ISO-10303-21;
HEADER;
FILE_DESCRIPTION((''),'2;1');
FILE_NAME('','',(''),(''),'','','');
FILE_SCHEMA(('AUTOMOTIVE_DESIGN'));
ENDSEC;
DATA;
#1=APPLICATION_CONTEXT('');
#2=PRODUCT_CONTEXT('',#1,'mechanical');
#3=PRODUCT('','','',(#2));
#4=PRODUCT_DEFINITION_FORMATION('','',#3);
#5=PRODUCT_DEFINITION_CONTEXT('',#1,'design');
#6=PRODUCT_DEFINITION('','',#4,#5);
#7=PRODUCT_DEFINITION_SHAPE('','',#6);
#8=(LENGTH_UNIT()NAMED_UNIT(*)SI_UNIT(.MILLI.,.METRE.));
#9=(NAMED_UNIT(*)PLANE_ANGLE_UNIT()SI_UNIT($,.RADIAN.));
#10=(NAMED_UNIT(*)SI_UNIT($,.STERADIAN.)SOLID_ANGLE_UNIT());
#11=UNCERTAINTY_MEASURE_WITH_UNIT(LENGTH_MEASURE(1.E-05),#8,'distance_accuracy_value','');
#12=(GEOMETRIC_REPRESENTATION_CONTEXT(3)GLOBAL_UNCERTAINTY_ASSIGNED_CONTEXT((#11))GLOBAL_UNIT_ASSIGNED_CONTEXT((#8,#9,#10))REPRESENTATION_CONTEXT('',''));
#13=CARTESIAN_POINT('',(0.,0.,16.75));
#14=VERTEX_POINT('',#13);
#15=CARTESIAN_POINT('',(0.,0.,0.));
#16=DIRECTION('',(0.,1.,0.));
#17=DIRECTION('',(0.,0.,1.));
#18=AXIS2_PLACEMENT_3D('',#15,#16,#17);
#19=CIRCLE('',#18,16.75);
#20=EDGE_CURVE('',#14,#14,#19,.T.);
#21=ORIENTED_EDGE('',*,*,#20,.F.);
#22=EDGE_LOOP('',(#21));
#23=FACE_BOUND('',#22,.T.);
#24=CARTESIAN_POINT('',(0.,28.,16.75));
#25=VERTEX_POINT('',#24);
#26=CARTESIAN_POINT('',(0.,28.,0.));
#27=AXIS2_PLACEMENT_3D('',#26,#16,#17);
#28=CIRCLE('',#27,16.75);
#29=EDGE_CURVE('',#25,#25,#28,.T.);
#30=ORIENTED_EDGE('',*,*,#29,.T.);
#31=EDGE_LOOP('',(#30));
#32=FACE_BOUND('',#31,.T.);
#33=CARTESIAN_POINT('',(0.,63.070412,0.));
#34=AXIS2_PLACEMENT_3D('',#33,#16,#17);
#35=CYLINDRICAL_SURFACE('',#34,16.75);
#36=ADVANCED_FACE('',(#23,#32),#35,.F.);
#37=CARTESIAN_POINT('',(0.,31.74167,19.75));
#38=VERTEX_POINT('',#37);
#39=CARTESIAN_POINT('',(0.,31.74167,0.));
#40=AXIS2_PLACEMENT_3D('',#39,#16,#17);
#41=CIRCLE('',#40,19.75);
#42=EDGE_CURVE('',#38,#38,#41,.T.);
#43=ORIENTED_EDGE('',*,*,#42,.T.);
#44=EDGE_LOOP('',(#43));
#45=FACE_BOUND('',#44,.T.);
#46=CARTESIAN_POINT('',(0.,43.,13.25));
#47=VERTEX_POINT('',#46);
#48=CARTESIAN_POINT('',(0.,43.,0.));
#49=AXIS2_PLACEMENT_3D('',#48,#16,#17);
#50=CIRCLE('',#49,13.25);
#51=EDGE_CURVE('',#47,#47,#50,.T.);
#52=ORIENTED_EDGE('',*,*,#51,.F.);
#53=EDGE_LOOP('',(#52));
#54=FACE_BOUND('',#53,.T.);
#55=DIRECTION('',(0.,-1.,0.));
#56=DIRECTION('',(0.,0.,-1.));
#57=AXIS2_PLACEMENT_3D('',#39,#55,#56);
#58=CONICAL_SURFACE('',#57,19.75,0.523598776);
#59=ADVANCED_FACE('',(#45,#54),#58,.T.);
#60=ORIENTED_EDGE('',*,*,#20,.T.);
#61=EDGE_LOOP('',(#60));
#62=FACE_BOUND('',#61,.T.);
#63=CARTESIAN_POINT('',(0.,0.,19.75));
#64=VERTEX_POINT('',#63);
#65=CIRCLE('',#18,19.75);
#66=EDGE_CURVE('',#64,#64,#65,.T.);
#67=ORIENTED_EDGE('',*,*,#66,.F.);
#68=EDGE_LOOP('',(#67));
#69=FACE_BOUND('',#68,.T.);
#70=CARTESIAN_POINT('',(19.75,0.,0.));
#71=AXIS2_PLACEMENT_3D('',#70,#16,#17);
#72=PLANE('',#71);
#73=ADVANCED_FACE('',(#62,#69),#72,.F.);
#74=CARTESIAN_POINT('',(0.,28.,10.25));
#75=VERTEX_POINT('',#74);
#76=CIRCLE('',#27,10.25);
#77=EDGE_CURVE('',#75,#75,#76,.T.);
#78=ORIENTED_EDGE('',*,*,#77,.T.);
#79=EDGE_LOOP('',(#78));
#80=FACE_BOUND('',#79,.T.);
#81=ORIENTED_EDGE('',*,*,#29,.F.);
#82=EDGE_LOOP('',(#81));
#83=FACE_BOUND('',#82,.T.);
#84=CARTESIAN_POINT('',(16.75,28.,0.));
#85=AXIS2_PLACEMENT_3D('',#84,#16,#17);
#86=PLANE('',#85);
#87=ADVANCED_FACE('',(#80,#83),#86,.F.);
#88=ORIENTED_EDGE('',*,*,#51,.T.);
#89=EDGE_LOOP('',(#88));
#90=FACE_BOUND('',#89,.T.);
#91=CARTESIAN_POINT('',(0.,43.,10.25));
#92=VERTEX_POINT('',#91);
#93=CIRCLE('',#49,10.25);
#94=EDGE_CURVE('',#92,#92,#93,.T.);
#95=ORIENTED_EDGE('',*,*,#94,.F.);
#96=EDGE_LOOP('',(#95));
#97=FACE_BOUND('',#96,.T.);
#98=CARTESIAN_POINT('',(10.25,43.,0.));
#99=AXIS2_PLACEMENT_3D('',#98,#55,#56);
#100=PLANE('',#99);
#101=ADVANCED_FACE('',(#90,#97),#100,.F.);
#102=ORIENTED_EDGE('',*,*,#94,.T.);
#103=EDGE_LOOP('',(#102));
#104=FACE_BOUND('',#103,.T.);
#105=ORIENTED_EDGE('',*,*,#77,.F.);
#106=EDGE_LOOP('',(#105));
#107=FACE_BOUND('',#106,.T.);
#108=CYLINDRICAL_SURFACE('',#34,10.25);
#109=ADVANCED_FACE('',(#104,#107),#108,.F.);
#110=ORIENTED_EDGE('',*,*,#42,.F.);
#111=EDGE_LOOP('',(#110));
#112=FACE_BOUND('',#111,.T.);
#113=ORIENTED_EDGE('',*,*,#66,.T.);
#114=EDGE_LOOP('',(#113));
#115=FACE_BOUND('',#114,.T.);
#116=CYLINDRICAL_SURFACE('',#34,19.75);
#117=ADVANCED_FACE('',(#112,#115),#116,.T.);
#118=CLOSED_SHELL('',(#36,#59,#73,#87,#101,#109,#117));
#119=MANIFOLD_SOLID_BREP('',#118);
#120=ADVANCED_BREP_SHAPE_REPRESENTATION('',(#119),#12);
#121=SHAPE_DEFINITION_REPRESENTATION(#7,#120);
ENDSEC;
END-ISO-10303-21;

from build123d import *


with BuildPart() as part:
    # Sketch1 → Revolve1 (revolve)
    with BuildSketch(Plane.XY, mode=Mode.PRIVATE) as revolve1_sk:
        Polygon((19.75, 31.741669751), (19.75, 0), (16.75, 0), (16.75, 28), (10.25, 28), (10.25, 43), (13.25, 43), align=None)
    revolve(revolve1_sk.sketch.rotate(Axis((0, 63.070411612, 0), (0, -1, 0)), 90), axis=Axis((0, 63.070411612, 0), (0, -1, 0)))


solid = part.part
